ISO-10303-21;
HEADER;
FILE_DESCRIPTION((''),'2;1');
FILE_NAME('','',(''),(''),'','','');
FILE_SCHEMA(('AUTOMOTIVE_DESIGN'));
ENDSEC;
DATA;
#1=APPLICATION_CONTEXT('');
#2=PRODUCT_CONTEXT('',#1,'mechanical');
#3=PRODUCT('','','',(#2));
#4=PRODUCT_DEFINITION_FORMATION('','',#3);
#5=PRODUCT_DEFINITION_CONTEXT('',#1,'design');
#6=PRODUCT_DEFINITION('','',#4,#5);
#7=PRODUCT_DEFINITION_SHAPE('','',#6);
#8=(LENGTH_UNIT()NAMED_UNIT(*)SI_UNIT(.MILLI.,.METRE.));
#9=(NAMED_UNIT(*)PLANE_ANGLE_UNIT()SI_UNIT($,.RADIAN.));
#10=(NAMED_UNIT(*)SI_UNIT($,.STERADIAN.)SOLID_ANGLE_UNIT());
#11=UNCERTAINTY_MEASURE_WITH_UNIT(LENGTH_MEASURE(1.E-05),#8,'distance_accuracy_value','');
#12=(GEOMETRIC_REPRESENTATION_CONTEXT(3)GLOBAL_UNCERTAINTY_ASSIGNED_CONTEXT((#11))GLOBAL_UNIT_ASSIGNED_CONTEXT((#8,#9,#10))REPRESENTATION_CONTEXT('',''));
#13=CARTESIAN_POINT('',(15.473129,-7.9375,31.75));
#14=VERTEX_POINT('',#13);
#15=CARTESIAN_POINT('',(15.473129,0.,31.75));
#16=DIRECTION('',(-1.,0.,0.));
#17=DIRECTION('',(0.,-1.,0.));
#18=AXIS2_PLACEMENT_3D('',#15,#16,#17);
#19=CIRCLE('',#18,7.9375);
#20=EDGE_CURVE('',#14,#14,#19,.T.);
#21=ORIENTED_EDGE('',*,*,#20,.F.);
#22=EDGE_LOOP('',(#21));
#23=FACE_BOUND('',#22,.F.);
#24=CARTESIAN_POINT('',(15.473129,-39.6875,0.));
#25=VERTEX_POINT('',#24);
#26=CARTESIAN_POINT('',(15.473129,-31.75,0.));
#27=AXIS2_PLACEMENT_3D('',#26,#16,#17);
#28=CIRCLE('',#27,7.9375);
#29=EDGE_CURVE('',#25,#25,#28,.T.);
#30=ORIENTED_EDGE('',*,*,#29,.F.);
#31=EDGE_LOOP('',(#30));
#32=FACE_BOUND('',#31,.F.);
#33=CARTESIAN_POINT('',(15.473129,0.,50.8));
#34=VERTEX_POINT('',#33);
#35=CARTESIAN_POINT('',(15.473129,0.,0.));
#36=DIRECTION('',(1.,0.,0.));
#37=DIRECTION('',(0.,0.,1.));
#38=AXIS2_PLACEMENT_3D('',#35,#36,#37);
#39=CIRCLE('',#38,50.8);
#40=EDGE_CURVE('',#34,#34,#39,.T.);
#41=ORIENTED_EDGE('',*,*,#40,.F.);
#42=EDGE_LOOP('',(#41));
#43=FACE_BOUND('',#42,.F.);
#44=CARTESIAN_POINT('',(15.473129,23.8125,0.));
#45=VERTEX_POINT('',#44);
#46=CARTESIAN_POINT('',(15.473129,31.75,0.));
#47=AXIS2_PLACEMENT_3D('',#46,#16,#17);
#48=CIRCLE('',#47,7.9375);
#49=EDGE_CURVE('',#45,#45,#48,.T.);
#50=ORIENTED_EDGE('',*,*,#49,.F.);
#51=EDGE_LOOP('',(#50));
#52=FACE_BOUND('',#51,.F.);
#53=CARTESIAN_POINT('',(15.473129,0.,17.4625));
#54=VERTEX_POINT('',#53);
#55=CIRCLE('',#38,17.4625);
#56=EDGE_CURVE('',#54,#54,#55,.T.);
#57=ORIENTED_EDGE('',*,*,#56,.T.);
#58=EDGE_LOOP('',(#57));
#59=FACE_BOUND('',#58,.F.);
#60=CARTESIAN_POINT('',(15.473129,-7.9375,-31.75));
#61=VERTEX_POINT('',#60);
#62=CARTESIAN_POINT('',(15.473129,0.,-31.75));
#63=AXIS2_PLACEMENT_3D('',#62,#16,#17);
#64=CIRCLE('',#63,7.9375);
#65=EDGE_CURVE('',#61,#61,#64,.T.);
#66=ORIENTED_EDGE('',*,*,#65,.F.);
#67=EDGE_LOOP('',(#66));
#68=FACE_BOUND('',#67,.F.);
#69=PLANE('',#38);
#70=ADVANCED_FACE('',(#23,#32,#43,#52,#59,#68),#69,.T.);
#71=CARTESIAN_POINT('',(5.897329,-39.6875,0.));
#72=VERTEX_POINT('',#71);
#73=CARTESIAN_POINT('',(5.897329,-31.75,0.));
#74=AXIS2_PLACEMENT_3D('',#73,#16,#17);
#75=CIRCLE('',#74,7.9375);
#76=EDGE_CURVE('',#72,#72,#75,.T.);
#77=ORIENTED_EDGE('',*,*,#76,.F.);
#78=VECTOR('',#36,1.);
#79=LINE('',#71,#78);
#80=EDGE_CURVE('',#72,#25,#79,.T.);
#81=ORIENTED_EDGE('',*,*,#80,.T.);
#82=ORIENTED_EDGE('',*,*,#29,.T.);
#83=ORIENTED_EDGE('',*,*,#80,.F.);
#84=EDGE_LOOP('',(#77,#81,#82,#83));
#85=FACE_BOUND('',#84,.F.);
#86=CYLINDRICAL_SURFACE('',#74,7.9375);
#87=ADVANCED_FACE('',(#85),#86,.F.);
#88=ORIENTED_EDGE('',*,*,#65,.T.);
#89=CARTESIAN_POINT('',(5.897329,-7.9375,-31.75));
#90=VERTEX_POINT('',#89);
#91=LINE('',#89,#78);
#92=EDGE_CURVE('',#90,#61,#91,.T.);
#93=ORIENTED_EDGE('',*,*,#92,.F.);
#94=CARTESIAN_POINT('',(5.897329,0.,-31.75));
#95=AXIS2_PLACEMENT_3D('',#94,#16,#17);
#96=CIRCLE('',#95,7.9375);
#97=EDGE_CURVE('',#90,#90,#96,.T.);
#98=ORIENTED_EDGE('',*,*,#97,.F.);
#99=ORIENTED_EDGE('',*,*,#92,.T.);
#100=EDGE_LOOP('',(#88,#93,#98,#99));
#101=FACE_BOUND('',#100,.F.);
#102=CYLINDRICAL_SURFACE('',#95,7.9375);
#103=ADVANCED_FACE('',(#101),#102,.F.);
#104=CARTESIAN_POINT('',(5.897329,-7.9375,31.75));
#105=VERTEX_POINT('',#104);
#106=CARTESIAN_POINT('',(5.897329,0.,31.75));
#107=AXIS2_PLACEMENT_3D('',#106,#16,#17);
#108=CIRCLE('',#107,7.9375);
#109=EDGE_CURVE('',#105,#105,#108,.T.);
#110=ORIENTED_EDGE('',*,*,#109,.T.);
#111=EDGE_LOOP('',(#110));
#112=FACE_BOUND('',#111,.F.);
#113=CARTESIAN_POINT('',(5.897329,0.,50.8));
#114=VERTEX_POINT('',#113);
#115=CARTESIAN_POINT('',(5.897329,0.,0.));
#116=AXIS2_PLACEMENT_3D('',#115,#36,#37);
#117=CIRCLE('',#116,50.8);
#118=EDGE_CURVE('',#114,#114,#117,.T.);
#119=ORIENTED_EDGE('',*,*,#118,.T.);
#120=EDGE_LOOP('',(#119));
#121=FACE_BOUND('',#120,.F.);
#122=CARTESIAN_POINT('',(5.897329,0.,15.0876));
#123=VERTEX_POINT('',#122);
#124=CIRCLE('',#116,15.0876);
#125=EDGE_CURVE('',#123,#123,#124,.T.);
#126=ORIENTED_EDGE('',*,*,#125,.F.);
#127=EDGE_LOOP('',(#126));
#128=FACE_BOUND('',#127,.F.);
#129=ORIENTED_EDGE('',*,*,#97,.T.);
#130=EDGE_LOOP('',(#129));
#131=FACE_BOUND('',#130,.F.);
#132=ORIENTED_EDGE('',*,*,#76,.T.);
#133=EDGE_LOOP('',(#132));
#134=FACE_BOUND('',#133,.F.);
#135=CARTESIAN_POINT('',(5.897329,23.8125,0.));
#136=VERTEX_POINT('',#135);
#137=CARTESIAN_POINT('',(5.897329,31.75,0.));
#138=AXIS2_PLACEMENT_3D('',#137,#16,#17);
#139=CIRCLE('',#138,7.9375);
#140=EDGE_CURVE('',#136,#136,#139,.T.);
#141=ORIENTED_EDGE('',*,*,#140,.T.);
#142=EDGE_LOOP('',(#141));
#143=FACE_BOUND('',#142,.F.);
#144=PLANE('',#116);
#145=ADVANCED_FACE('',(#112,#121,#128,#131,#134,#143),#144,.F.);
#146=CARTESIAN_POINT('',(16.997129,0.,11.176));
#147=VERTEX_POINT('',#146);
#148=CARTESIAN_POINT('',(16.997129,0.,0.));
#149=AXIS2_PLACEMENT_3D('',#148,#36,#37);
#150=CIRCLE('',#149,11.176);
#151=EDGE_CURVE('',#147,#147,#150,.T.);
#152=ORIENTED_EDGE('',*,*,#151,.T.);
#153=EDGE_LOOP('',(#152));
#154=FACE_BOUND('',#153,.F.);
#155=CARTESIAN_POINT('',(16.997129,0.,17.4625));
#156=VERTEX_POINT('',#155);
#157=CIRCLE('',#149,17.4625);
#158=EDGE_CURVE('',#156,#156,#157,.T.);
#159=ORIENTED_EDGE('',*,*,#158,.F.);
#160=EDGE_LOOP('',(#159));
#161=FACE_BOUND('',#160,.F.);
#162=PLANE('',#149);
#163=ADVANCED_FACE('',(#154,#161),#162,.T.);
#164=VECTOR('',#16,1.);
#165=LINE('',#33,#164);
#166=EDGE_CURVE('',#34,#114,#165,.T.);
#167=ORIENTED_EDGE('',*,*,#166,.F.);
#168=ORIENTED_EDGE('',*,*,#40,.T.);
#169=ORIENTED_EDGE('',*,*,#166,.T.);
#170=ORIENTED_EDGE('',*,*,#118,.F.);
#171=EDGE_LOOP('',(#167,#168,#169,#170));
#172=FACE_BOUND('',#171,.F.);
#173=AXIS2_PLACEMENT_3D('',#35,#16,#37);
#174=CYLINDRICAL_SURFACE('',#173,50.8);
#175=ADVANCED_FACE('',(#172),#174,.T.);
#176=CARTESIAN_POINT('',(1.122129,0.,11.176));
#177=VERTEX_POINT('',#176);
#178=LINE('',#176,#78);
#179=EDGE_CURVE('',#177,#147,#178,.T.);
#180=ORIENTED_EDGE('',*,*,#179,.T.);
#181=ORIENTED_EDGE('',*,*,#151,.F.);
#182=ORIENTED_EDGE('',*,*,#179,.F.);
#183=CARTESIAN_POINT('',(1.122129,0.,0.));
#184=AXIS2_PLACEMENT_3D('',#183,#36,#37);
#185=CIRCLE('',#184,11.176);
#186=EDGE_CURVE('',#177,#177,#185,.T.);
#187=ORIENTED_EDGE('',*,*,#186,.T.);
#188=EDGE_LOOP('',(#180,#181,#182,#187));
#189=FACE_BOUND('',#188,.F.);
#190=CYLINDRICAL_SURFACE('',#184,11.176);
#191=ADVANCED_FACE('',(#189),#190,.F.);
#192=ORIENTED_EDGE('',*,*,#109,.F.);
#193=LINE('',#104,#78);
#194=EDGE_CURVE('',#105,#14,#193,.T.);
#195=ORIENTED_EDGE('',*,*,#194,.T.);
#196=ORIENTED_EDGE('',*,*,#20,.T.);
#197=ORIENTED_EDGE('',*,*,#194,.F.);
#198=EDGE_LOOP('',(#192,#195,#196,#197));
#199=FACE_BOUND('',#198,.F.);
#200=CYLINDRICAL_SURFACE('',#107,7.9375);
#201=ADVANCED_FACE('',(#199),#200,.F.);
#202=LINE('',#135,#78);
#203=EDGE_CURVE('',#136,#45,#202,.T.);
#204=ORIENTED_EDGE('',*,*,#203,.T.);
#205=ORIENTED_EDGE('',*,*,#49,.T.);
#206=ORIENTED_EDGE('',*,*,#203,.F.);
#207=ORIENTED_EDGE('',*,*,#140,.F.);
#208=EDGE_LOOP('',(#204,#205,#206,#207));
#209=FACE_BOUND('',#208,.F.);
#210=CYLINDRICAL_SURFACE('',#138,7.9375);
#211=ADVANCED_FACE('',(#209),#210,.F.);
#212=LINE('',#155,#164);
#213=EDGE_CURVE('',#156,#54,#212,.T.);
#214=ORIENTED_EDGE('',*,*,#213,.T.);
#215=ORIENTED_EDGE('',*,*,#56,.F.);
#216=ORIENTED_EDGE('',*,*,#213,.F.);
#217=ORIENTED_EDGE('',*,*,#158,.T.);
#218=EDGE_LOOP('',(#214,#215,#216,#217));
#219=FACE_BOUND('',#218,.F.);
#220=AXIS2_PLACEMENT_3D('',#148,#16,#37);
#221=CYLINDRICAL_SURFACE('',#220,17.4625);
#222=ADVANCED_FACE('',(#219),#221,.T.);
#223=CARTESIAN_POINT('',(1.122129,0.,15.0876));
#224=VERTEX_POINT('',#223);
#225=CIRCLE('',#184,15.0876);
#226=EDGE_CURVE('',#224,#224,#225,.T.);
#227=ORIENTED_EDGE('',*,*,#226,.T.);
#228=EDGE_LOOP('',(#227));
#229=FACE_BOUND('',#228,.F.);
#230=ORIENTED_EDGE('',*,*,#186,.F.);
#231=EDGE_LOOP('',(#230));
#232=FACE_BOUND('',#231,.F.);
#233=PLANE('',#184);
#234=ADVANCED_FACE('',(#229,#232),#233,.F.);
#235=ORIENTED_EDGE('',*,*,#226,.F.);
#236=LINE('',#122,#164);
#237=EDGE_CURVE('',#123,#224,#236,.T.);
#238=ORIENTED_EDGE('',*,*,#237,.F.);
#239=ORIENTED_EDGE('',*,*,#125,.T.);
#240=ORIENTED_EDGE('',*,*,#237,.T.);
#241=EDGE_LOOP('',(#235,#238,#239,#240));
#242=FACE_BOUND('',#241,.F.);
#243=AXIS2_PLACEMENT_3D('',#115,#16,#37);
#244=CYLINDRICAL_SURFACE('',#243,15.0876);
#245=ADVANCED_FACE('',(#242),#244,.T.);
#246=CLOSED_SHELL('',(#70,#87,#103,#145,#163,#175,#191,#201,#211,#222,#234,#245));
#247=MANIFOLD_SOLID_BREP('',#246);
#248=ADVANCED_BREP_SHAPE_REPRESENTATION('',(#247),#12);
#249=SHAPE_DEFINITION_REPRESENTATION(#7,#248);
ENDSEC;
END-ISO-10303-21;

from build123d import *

# Parameters (mm, degrees)
F2_R     = 7.9375
F3_DEPTH = 37.846


with BuildPart() as f1:
    # F0 (on Front) → F1 (revolve)
    with BuildSketch(Plane.XZ):
        Polygon((1.122129, 15.0876), (1.122129, 11.176), (16.997129, 11.176), (16.997129, 17.4625), (15.473129, 17.4625), (15.473129, 50.8), (5.897329, 50.8), (5.897329, 15.0876), align=None)
    revolve(axis=Axis((1.798739, 0, 0), (1, 0, 0)))

    # F2 (on face) → F3 (cut)
    with BuildSketch(Plane(origin=(5.897329, 0, 0), x_dir=(0, -1, 0), z_dir=(-1, 0, 0))):
        with Locations((0, 31.75)):
            Circle(F2_R)
        with Locations((-31.75, 0)):
            Circle(F2_R)
        with Locations((0, -31.75)):
            Circle(F2_R)
        with Locations((31.75, 0)):
            Circle(F2_R)
    extrude(amount=-F3_DEPTH, mode=Mode.SUBTRACT)


solid = f1.part
